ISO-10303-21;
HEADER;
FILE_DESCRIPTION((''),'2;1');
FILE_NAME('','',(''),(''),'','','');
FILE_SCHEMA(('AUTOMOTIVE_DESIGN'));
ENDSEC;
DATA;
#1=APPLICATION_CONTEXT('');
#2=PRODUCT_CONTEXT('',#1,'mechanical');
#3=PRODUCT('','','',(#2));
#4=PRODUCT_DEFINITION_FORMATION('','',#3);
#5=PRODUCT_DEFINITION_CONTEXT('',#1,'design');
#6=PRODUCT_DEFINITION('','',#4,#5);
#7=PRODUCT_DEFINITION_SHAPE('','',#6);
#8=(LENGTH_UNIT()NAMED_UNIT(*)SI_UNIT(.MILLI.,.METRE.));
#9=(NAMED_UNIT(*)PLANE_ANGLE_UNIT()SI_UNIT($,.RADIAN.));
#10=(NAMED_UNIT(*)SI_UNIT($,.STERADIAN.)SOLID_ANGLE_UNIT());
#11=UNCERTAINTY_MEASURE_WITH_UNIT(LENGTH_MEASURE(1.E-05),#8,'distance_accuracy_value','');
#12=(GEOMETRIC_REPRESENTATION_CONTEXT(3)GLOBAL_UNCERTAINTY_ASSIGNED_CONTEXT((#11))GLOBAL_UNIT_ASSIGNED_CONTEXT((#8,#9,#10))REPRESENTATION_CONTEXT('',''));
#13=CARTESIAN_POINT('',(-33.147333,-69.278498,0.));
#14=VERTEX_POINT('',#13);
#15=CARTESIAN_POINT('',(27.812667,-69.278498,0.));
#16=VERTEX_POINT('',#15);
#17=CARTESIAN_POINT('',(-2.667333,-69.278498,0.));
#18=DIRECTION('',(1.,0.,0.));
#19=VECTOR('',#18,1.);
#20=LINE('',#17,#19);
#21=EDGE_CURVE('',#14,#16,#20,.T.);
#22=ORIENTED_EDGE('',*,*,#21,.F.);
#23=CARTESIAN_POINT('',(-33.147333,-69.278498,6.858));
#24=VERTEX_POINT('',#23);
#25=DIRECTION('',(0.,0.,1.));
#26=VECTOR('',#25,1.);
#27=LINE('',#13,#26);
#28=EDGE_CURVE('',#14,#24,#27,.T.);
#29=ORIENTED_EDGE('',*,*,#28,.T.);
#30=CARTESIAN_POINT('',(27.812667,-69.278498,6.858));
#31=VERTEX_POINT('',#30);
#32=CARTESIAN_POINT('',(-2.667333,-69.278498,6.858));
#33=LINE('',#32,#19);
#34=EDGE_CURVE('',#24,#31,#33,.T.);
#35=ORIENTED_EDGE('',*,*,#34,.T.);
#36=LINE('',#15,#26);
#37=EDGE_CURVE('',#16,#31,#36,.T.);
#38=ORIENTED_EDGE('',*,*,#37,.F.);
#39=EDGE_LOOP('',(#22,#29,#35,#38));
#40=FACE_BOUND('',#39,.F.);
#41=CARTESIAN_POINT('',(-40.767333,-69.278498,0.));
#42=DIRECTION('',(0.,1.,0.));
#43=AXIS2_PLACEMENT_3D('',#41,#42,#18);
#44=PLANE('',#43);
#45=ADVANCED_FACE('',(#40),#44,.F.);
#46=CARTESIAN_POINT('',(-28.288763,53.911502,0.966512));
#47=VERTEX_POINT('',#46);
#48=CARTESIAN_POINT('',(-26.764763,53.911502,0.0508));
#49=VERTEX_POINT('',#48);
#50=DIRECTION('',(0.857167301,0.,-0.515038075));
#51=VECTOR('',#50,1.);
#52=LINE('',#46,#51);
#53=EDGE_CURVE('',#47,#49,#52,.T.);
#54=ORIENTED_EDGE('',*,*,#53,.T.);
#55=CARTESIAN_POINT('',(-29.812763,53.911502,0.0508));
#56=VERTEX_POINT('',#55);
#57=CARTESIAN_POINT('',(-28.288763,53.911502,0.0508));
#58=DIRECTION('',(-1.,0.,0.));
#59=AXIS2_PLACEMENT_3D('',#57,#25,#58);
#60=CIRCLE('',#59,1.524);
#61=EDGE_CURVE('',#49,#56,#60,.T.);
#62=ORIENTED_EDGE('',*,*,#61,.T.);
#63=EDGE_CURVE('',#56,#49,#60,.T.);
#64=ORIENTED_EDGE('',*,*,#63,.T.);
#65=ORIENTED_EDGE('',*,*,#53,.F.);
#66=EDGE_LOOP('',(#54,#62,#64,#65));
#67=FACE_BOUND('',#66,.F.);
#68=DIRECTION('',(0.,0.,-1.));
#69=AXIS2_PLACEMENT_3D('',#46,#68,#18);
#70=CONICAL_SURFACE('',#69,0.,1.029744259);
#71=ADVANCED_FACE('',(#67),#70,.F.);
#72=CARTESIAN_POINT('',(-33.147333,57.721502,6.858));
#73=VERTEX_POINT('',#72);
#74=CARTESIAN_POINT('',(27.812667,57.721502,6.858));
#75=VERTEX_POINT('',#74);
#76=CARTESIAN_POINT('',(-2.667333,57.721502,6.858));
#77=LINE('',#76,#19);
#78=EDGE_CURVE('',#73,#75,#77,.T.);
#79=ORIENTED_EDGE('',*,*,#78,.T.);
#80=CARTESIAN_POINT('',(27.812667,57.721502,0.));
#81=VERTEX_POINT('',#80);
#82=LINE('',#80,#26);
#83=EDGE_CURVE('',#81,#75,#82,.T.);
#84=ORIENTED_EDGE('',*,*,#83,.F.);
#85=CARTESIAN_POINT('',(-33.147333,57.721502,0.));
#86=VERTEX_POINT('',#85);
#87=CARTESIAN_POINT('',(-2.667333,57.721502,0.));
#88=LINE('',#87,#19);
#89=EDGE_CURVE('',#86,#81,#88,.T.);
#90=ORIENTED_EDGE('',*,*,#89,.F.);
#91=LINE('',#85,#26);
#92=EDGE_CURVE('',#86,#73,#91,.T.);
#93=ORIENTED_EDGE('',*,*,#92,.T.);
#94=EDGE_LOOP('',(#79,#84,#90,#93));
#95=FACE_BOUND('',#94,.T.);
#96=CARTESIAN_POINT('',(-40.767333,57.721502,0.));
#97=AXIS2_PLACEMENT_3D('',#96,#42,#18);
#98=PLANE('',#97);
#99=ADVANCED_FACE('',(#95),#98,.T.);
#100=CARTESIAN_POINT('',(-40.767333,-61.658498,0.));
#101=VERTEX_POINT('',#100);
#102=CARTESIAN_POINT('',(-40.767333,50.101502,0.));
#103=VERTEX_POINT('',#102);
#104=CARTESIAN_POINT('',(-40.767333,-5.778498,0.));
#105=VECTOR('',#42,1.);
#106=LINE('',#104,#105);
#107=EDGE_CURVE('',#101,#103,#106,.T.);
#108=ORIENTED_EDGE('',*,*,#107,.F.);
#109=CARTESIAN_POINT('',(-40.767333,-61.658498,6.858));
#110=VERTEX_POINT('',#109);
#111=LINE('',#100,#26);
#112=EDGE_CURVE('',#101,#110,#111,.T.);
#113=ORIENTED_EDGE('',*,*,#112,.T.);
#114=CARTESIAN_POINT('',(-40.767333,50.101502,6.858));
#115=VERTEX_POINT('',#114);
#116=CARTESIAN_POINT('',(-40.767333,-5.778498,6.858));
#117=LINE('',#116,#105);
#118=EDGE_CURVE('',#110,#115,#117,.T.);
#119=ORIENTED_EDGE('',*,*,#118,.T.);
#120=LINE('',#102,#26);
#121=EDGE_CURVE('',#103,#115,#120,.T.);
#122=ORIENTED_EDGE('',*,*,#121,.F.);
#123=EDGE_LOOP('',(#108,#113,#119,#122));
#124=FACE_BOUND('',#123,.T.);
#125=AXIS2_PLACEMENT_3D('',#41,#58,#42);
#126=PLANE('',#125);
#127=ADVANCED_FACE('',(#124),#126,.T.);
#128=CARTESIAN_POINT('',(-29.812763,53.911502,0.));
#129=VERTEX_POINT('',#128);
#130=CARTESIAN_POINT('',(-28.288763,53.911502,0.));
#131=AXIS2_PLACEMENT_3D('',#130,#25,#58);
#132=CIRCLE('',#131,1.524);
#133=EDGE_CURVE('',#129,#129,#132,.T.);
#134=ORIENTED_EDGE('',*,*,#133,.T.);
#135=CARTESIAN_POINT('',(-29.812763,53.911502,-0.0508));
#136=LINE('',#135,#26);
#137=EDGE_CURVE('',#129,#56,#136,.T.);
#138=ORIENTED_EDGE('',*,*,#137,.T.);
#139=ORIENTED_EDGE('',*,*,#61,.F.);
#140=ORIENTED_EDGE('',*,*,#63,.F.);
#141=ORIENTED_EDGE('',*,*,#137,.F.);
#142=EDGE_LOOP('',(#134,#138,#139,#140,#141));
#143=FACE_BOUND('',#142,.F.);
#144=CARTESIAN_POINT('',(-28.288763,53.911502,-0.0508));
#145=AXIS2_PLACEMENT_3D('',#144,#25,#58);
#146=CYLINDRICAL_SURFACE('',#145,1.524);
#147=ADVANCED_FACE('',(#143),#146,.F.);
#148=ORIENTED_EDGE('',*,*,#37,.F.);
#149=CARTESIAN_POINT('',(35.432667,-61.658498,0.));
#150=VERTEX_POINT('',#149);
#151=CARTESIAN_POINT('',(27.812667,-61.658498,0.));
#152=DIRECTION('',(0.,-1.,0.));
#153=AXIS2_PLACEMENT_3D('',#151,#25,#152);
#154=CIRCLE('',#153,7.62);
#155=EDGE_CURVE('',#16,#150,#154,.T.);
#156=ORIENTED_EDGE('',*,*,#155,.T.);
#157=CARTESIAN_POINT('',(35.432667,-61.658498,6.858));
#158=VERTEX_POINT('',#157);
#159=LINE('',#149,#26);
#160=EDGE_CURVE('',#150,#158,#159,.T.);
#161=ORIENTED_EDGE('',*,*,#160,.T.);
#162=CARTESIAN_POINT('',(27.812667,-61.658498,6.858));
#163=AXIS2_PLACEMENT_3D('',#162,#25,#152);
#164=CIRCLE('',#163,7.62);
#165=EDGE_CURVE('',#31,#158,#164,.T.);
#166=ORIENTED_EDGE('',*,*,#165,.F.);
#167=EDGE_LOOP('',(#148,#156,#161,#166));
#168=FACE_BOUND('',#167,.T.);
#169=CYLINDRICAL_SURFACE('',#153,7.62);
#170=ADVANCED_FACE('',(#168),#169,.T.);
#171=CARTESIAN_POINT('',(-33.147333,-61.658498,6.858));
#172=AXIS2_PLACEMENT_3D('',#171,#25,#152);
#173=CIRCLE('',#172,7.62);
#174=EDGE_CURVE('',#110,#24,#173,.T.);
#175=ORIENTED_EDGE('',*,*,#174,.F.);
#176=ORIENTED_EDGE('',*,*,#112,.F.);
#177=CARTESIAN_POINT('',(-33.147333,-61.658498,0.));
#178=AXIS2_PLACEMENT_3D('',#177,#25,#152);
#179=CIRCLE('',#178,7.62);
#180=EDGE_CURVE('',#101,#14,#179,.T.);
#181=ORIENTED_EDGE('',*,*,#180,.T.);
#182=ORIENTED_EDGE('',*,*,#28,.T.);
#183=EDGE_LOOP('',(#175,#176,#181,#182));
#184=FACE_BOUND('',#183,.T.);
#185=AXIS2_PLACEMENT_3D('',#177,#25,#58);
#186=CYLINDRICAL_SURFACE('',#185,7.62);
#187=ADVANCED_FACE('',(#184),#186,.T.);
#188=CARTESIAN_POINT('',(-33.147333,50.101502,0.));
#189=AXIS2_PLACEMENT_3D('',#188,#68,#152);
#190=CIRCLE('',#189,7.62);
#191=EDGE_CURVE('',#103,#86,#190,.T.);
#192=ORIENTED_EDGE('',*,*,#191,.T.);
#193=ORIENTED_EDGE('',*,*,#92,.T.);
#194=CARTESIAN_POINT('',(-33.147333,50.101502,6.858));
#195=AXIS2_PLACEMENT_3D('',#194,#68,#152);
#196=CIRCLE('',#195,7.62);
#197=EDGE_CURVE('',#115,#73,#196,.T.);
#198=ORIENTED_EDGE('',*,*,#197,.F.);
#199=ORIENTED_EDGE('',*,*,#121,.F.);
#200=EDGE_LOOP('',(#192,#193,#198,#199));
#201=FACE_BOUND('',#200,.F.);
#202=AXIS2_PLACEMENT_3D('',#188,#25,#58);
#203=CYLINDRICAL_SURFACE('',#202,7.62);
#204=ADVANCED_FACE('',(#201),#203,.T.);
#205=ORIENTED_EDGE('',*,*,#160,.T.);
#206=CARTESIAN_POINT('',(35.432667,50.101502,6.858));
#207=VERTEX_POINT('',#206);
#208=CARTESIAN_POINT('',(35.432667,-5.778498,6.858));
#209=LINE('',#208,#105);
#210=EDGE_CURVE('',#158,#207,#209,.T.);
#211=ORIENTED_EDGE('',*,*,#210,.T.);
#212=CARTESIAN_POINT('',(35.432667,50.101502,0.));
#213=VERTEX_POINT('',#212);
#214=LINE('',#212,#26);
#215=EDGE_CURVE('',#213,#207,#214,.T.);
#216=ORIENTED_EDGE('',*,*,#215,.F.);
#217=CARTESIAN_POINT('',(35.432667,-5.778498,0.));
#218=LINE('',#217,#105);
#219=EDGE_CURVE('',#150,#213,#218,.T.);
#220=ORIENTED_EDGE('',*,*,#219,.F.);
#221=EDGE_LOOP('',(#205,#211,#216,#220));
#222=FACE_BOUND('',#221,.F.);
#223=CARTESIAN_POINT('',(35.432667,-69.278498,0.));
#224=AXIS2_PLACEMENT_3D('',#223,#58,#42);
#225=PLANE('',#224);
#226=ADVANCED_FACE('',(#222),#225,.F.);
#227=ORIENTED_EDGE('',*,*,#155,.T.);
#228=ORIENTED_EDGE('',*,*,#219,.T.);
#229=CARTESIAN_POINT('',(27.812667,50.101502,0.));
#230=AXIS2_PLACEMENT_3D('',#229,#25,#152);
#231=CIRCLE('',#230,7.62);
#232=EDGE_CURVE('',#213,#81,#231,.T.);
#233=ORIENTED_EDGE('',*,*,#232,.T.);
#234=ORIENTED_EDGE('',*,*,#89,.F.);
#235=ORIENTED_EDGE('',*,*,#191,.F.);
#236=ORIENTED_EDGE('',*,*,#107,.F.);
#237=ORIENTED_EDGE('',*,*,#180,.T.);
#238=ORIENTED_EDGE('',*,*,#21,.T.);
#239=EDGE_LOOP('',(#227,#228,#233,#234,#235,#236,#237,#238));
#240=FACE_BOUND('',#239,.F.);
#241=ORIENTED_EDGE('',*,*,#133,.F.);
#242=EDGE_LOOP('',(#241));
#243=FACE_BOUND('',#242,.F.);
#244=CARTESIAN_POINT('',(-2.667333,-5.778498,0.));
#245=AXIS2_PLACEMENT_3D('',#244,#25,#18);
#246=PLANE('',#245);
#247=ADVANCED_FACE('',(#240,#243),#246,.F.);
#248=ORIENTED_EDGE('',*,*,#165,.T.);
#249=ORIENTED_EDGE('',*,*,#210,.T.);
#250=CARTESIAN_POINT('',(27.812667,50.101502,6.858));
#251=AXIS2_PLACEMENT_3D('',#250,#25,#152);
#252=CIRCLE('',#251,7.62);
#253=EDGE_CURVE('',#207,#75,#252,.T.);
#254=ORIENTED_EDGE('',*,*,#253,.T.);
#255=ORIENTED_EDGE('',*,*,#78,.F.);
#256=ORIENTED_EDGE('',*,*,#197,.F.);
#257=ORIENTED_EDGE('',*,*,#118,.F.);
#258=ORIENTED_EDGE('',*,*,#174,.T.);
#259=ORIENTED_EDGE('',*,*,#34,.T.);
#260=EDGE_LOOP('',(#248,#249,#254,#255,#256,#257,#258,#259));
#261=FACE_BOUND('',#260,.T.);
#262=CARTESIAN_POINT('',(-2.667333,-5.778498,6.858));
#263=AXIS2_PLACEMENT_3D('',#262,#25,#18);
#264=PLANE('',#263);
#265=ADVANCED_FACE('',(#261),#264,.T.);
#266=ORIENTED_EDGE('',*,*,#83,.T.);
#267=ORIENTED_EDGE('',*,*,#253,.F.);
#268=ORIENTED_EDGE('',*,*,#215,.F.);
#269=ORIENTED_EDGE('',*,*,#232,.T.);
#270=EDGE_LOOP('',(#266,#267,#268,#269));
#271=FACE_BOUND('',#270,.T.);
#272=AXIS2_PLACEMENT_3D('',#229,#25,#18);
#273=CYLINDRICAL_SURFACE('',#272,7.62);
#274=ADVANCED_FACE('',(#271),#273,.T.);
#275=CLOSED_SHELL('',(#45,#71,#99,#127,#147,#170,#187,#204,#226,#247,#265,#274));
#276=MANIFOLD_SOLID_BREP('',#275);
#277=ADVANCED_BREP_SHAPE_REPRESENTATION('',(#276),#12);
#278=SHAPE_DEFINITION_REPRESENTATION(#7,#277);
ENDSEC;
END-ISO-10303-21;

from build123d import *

# Parameters (mm, degrees)
F0_W     = 76.2
F0_H     = 127
F1_DEPTH = 6.858
F2_R     = 7.62
F5_D     = 3.048
F5_DEPTH = 0.0508
F5_TIP   = 0.9157115834


with BuildPart() as f1:
    # F0 (on Top) → F1 (new body)
    with BuildSketch(Plane.XY):
        with Locations((-2.6673331412, -5.7784983073)):
            Rectangle(F0_W, F0_H)
    extrude(amount=F1_DEPTH)

    # F2
    f2_edges = [f1.edges().sort_by_distance(p)[0] for p in [
        (35.432667, 57.721502, 3.429),
        (-40.767333, 57.721502, 3.429),
        (-40.767333, -69.278498, 3.429),
        (35.432667, -69.278498, 3.429),
    ]]
    fillet(f2_edges, radius=F2_R)

    # F5
    with Locations(Plane(origin=(0, 0, 0), x_dir=(1, 0, 0), z_dir=(0, 0, -1))):
        with Locations((-28.2887630165, -53.9115016927)):
            Hole(F5_D / 2, depth=F5_DEPTH)
            with Locations((0, 0, -(F5_DEPTH + F5_TIP / 2))):  # 118° drill point
                Cone(0, F5_D / 2, F5_TIP, mode=Mode.SUBTRACT)


solid = f1.part
